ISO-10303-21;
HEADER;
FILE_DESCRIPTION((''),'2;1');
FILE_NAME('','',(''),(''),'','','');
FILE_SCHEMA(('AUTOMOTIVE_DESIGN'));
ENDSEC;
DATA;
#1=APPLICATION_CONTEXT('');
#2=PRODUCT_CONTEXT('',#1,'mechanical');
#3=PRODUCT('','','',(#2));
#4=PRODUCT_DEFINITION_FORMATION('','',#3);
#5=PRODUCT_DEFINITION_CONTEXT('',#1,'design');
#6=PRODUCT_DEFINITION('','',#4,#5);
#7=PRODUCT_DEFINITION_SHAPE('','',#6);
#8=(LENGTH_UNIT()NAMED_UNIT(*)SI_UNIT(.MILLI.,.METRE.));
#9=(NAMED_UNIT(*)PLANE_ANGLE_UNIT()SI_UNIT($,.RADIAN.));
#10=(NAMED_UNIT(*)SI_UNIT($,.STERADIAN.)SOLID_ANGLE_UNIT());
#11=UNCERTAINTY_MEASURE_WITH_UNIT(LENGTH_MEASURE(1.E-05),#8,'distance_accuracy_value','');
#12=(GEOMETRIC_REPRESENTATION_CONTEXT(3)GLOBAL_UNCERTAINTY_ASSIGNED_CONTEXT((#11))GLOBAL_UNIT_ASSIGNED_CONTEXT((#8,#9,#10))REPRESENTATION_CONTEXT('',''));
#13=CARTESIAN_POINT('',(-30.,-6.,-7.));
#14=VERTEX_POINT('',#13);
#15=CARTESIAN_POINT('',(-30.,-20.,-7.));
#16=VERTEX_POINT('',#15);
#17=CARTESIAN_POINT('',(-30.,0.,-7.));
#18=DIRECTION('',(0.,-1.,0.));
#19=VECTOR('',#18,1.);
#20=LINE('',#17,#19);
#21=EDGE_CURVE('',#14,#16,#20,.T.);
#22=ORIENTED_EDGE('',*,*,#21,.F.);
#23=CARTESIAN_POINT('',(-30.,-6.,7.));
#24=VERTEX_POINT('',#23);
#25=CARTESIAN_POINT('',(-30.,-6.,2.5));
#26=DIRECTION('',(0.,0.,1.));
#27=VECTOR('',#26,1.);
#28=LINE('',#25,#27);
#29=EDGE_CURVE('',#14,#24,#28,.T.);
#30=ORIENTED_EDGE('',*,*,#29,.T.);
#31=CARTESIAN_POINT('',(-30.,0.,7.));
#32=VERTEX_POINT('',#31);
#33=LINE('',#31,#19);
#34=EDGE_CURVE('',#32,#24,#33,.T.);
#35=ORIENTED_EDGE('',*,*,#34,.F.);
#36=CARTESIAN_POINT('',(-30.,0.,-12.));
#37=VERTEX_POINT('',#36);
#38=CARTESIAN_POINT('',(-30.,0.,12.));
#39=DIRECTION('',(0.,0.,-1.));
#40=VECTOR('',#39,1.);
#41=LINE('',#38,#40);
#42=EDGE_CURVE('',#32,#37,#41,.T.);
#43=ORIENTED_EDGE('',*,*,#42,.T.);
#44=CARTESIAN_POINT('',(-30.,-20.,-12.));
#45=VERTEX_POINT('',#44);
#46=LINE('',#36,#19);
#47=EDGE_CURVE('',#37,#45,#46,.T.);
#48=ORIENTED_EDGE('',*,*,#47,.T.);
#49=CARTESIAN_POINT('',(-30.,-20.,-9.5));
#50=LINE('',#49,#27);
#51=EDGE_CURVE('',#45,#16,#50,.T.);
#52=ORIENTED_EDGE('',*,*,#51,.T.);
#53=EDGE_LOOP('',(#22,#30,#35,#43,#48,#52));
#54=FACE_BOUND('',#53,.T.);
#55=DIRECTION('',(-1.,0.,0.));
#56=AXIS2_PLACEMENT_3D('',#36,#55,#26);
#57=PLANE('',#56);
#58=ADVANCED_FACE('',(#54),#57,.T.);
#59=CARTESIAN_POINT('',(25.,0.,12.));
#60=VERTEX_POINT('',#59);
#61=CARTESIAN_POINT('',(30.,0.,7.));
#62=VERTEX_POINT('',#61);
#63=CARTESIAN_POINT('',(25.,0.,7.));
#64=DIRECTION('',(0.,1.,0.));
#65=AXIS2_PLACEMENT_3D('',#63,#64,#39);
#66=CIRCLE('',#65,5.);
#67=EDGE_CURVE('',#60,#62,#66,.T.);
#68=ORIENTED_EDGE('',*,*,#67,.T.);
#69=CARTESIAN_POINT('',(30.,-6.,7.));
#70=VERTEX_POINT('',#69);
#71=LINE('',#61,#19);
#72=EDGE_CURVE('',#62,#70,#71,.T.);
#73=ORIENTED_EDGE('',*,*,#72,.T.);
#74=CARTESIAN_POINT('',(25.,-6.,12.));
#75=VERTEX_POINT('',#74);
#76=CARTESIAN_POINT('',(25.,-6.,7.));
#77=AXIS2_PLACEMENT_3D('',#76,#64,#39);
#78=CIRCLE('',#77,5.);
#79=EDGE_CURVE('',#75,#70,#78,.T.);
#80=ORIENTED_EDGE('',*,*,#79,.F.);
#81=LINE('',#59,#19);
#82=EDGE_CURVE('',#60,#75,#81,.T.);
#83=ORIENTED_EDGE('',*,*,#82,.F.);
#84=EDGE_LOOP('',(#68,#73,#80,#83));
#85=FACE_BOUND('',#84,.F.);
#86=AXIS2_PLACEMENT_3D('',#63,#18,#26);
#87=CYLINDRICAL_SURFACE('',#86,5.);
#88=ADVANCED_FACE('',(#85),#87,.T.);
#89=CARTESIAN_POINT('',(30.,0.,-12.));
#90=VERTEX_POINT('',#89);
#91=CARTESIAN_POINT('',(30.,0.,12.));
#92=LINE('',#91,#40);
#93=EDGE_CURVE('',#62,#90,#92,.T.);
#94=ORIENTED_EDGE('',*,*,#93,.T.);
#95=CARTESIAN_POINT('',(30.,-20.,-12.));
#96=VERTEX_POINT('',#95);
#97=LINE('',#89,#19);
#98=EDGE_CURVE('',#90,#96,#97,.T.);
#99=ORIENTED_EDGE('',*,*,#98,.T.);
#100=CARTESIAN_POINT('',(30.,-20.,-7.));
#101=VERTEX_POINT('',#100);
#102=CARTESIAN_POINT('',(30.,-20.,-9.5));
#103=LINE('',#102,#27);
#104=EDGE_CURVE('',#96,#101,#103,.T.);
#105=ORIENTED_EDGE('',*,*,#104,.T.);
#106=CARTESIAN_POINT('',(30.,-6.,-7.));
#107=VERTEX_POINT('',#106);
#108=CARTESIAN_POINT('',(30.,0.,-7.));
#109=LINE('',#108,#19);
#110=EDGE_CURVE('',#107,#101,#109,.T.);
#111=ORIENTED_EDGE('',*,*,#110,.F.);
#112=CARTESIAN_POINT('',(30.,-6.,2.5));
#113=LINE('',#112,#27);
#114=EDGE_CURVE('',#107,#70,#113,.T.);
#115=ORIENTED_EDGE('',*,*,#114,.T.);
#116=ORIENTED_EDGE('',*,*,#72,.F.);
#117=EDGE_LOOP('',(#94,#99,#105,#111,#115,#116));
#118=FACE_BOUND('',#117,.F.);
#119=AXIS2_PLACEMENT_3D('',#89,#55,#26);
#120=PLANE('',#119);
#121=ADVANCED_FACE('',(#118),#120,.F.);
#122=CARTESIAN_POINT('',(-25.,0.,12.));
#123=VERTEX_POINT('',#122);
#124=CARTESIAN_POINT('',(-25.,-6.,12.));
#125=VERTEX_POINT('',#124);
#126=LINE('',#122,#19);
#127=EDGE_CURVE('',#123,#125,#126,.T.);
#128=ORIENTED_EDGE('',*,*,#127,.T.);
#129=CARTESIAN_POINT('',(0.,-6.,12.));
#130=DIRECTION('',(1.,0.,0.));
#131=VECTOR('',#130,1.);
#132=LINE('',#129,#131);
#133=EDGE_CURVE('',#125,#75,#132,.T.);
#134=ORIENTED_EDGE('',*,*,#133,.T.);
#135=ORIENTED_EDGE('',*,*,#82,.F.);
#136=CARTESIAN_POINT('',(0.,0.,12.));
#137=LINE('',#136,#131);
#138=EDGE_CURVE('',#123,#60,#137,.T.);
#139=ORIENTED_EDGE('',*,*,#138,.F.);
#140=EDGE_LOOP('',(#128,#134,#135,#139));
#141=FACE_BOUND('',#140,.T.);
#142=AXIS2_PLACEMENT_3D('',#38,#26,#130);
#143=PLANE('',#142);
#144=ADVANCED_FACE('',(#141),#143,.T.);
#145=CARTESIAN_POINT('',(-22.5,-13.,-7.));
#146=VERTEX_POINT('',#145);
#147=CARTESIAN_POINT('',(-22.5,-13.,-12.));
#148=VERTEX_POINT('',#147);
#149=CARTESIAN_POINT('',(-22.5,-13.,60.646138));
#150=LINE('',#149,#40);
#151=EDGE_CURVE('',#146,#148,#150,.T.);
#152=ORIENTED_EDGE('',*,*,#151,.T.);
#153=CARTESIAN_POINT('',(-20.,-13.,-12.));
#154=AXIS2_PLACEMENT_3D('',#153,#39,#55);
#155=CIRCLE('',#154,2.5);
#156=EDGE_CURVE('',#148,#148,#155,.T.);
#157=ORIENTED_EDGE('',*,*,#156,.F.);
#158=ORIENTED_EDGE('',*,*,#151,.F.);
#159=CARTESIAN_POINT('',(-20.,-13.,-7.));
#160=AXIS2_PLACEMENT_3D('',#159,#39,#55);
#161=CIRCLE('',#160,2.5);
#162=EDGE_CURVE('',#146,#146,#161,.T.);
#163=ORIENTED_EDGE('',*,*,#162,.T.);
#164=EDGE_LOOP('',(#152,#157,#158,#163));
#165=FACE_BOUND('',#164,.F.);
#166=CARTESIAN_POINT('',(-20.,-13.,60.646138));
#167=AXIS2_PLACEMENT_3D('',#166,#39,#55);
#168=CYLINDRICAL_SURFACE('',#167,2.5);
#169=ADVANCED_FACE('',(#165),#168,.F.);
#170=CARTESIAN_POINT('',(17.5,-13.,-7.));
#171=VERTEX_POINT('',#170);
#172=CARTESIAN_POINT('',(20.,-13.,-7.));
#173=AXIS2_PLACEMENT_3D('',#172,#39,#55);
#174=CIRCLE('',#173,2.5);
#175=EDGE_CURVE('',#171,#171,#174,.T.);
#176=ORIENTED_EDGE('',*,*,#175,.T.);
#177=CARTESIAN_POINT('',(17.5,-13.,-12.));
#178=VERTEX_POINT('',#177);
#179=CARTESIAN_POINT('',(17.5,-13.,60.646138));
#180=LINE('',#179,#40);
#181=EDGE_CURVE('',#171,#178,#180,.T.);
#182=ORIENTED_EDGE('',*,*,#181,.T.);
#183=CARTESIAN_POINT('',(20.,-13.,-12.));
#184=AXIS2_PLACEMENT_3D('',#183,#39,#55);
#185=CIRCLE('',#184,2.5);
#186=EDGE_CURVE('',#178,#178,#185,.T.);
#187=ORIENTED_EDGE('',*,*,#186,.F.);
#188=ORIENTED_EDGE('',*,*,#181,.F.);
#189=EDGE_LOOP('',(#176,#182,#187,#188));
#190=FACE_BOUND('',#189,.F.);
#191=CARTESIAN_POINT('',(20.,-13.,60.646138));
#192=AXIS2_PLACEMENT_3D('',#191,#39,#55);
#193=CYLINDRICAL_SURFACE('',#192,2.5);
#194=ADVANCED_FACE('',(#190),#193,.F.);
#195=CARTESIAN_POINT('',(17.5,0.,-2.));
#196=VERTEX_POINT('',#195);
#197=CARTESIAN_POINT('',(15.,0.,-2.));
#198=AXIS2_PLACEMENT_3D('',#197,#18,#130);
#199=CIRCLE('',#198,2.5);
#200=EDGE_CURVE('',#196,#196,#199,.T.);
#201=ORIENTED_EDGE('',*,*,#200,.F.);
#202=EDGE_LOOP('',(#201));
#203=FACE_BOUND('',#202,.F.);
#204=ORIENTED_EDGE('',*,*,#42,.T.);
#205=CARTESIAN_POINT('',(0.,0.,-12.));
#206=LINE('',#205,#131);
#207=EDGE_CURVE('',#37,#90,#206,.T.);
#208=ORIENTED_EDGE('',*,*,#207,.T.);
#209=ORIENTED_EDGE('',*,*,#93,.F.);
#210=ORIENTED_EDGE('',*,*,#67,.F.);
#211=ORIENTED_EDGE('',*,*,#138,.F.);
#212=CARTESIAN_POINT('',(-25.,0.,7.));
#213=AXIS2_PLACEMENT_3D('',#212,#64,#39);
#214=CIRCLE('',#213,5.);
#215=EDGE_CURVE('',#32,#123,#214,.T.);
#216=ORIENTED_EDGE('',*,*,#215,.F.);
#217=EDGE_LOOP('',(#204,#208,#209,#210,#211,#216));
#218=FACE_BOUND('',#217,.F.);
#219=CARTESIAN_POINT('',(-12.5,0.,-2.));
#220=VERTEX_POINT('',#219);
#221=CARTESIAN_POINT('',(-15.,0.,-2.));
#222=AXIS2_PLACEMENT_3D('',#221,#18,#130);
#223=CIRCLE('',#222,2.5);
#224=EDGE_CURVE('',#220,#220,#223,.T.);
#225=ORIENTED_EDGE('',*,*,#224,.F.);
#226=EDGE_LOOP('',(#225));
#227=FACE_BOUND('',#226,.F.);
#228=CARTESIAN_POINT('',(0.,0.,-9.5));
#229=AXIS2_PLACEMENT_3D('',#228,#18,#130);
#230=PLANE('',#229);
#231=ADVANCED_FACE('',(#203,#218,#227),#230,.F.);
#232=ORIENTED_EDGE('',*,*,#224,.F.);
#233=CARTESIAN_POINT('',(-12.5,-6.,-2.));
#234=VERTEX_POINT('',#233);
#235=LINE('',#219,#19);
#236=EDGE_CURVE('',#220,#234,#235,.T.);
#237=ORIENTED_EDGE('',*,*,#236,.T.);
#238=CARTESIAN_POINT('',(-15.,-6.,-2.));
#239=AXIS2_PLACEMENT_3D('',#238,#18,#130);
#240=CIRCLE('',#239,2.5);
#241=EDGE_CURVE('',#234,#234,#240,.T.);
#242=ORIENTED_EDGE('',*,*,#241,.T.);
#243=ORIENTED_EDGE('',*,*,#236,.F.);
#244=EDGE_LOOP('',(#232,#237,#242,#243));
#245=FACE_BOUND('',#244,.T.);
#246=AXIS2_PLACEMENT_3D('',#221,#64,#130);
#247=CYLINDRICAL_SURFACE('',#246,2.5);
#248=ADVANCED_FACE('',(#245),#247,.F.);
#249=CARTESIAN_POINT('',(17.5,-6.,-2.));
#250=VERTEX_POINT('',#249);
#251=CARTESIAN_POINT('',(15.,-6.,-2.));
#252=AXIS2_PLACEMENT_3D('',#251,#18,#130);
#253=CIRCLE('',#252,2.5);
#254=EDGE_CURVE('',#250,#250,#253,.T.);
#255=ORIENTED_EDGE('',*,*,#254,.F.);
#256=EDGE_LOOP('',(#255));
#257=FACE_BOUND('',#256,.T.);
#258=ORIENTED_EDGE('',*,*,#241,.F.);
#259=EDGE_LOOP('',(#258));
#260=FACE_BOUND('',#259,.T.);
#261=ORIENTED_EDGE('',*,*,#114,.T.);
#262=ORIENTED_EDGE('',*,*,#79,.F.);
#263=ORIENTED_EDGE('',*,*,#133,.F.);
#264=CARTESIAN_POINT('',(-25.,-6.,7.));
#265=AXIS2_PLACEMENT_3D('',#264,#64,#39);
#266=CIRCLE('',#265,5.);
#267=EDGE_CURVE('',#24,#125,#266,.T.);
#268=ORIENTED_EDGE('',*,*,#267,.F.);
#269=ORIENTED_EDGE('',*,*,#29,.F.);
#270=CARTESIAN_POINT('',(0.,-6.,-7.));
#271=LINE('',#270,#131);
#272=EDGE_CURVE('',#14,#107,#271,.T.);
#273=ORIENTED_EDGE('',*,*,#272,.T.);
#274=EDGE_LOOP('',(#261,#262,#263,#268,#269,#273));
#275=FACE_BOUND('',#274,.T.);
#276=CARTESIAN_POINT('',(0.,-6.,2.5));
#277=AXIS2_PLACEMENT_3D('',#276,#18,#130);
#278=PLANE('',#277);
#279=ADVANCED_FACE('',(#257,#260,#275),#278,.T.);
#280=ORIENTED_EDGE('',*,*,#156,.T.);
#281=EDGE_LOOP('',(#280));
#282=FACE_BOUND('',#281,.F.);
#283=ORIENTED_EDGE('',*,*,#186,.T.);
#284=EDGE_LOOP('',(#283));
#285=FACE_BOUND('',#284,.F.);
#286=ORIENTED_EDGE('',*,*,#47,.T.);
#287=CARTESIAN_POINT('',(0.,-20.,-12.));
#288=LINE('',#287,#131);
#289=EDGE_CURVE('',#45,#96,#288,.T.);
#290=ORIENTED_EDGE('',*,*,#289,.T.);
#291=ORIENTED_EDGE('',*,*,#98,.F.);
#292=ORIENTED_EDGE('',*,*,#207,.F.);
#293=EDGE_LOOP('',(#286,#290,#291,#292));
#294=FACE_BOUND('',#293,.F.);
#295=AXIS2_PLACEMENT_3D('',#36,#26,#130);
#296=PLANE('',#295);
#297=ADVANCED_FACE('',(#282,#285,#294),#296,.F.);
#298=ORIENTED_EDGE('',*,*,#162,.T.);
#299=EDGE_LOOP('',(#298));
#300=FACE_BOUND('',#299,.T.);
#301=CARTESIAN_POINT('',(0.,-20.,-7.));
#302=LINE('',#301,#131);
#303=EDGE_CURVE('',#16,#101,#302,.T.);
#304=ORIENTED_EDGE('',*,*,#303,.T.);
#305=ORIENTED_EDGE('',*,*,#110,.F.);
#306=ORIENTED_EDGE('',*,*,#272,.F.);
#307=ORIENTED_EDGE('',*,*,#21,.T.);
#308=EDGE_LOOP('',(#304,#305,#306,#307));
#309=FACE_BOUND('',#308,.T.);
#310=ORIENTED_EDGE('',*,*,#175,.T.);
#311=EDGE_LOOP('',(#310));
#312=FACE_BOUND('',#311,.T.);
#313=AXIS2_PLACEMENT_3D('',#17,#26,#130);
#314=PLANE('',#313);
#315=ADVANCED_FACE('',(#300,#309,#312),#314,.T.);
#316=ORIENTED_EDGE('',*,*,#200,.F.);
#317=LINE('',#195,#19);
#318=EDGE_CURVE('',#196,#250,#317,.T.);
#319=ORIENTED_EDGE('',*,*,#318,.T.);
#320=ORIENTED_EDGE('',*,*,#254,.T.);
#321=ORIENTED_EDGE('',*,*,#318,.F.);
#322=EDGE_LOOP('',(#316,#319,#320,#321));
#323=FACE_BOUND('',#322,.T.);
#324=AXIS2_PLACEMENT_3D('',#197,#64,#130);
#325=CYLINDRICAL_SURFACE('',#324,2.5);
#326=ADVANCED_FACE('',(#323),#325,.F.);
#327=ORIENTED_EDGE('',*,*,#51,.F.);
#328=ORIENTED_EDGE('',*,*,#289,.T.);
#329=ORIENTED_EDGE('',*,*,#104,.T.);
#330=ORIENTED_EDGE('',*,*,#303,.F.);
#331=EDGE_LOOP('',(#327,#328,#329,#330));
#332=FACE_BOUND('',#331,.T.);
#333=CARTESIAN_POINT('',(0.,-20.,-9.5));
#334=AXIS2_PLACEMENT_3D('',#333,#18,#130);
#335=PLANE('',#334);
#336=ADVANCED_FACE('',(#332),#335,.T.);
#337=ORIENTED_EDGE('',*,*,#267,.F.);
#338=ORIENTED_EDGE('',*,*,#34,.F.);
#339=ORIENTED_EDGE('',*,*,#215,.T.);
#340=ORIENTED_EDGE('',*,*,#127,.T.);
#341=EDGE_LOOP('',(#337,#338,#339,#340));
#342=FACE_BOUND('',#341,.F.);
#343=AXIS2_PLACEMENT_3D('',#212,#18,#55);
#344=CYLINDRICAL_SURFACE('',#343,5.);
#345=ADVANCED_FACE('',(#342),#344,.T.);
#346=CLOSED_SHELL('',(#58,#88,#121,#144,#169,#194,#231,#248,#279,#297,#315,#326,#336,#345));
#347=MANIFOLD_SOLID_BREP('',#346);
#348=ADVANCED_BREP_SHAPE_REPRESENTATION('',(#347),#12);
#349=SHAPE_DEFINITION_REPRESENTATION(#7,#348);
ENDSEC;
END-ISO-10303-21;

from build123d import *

# Parameters (mm, degrees)
F0_W     = 60
F0_H     = 19
F0_R     = 2.5
F1_DEPTH = 6
F0_H_2   = 5
F2_DEPTH = 20
F4_D     = 5
F5_R     = 5


with BuildPart() as f1:
    # F0 (on Front) → F1 (new body)
    with BuildSketch(Plane.XZ):
        with Locations((0, 2.5)):
            Rectangle(F0_W, F0_H)
        with Locations((-15, -2)):
            Circle(F0_R, mode=Mode.SUBTRACT)
        with Locations((15, -2)):
            Circle(F0_R, mode=Mode.SUBTRACT)
    extrude(amount=F1_DEPTH)

    # F0 (on Front) → F2 (join)
    with BuildSketch(Plane.XZ):
        with Locations((0, -9.5)):
            Rectangle(F0_W, F0_H_2)
    extrude(amount=F2_DEPTH)

    # F4 (through all)
    with Locations(Plane.XY.offset(-7)):
        with Locations((-20, -13), (20, -13)):
            Hole(F4_D / 2)

    # F5
    f5_edges = [f1.edges().sort_by_distance(p)[0] for p in [
        (-30, -3, 12),
        (30, -3, 12),
    ]]
    fillet(f5_edges, radius=F5_R)


solid = f1.part
